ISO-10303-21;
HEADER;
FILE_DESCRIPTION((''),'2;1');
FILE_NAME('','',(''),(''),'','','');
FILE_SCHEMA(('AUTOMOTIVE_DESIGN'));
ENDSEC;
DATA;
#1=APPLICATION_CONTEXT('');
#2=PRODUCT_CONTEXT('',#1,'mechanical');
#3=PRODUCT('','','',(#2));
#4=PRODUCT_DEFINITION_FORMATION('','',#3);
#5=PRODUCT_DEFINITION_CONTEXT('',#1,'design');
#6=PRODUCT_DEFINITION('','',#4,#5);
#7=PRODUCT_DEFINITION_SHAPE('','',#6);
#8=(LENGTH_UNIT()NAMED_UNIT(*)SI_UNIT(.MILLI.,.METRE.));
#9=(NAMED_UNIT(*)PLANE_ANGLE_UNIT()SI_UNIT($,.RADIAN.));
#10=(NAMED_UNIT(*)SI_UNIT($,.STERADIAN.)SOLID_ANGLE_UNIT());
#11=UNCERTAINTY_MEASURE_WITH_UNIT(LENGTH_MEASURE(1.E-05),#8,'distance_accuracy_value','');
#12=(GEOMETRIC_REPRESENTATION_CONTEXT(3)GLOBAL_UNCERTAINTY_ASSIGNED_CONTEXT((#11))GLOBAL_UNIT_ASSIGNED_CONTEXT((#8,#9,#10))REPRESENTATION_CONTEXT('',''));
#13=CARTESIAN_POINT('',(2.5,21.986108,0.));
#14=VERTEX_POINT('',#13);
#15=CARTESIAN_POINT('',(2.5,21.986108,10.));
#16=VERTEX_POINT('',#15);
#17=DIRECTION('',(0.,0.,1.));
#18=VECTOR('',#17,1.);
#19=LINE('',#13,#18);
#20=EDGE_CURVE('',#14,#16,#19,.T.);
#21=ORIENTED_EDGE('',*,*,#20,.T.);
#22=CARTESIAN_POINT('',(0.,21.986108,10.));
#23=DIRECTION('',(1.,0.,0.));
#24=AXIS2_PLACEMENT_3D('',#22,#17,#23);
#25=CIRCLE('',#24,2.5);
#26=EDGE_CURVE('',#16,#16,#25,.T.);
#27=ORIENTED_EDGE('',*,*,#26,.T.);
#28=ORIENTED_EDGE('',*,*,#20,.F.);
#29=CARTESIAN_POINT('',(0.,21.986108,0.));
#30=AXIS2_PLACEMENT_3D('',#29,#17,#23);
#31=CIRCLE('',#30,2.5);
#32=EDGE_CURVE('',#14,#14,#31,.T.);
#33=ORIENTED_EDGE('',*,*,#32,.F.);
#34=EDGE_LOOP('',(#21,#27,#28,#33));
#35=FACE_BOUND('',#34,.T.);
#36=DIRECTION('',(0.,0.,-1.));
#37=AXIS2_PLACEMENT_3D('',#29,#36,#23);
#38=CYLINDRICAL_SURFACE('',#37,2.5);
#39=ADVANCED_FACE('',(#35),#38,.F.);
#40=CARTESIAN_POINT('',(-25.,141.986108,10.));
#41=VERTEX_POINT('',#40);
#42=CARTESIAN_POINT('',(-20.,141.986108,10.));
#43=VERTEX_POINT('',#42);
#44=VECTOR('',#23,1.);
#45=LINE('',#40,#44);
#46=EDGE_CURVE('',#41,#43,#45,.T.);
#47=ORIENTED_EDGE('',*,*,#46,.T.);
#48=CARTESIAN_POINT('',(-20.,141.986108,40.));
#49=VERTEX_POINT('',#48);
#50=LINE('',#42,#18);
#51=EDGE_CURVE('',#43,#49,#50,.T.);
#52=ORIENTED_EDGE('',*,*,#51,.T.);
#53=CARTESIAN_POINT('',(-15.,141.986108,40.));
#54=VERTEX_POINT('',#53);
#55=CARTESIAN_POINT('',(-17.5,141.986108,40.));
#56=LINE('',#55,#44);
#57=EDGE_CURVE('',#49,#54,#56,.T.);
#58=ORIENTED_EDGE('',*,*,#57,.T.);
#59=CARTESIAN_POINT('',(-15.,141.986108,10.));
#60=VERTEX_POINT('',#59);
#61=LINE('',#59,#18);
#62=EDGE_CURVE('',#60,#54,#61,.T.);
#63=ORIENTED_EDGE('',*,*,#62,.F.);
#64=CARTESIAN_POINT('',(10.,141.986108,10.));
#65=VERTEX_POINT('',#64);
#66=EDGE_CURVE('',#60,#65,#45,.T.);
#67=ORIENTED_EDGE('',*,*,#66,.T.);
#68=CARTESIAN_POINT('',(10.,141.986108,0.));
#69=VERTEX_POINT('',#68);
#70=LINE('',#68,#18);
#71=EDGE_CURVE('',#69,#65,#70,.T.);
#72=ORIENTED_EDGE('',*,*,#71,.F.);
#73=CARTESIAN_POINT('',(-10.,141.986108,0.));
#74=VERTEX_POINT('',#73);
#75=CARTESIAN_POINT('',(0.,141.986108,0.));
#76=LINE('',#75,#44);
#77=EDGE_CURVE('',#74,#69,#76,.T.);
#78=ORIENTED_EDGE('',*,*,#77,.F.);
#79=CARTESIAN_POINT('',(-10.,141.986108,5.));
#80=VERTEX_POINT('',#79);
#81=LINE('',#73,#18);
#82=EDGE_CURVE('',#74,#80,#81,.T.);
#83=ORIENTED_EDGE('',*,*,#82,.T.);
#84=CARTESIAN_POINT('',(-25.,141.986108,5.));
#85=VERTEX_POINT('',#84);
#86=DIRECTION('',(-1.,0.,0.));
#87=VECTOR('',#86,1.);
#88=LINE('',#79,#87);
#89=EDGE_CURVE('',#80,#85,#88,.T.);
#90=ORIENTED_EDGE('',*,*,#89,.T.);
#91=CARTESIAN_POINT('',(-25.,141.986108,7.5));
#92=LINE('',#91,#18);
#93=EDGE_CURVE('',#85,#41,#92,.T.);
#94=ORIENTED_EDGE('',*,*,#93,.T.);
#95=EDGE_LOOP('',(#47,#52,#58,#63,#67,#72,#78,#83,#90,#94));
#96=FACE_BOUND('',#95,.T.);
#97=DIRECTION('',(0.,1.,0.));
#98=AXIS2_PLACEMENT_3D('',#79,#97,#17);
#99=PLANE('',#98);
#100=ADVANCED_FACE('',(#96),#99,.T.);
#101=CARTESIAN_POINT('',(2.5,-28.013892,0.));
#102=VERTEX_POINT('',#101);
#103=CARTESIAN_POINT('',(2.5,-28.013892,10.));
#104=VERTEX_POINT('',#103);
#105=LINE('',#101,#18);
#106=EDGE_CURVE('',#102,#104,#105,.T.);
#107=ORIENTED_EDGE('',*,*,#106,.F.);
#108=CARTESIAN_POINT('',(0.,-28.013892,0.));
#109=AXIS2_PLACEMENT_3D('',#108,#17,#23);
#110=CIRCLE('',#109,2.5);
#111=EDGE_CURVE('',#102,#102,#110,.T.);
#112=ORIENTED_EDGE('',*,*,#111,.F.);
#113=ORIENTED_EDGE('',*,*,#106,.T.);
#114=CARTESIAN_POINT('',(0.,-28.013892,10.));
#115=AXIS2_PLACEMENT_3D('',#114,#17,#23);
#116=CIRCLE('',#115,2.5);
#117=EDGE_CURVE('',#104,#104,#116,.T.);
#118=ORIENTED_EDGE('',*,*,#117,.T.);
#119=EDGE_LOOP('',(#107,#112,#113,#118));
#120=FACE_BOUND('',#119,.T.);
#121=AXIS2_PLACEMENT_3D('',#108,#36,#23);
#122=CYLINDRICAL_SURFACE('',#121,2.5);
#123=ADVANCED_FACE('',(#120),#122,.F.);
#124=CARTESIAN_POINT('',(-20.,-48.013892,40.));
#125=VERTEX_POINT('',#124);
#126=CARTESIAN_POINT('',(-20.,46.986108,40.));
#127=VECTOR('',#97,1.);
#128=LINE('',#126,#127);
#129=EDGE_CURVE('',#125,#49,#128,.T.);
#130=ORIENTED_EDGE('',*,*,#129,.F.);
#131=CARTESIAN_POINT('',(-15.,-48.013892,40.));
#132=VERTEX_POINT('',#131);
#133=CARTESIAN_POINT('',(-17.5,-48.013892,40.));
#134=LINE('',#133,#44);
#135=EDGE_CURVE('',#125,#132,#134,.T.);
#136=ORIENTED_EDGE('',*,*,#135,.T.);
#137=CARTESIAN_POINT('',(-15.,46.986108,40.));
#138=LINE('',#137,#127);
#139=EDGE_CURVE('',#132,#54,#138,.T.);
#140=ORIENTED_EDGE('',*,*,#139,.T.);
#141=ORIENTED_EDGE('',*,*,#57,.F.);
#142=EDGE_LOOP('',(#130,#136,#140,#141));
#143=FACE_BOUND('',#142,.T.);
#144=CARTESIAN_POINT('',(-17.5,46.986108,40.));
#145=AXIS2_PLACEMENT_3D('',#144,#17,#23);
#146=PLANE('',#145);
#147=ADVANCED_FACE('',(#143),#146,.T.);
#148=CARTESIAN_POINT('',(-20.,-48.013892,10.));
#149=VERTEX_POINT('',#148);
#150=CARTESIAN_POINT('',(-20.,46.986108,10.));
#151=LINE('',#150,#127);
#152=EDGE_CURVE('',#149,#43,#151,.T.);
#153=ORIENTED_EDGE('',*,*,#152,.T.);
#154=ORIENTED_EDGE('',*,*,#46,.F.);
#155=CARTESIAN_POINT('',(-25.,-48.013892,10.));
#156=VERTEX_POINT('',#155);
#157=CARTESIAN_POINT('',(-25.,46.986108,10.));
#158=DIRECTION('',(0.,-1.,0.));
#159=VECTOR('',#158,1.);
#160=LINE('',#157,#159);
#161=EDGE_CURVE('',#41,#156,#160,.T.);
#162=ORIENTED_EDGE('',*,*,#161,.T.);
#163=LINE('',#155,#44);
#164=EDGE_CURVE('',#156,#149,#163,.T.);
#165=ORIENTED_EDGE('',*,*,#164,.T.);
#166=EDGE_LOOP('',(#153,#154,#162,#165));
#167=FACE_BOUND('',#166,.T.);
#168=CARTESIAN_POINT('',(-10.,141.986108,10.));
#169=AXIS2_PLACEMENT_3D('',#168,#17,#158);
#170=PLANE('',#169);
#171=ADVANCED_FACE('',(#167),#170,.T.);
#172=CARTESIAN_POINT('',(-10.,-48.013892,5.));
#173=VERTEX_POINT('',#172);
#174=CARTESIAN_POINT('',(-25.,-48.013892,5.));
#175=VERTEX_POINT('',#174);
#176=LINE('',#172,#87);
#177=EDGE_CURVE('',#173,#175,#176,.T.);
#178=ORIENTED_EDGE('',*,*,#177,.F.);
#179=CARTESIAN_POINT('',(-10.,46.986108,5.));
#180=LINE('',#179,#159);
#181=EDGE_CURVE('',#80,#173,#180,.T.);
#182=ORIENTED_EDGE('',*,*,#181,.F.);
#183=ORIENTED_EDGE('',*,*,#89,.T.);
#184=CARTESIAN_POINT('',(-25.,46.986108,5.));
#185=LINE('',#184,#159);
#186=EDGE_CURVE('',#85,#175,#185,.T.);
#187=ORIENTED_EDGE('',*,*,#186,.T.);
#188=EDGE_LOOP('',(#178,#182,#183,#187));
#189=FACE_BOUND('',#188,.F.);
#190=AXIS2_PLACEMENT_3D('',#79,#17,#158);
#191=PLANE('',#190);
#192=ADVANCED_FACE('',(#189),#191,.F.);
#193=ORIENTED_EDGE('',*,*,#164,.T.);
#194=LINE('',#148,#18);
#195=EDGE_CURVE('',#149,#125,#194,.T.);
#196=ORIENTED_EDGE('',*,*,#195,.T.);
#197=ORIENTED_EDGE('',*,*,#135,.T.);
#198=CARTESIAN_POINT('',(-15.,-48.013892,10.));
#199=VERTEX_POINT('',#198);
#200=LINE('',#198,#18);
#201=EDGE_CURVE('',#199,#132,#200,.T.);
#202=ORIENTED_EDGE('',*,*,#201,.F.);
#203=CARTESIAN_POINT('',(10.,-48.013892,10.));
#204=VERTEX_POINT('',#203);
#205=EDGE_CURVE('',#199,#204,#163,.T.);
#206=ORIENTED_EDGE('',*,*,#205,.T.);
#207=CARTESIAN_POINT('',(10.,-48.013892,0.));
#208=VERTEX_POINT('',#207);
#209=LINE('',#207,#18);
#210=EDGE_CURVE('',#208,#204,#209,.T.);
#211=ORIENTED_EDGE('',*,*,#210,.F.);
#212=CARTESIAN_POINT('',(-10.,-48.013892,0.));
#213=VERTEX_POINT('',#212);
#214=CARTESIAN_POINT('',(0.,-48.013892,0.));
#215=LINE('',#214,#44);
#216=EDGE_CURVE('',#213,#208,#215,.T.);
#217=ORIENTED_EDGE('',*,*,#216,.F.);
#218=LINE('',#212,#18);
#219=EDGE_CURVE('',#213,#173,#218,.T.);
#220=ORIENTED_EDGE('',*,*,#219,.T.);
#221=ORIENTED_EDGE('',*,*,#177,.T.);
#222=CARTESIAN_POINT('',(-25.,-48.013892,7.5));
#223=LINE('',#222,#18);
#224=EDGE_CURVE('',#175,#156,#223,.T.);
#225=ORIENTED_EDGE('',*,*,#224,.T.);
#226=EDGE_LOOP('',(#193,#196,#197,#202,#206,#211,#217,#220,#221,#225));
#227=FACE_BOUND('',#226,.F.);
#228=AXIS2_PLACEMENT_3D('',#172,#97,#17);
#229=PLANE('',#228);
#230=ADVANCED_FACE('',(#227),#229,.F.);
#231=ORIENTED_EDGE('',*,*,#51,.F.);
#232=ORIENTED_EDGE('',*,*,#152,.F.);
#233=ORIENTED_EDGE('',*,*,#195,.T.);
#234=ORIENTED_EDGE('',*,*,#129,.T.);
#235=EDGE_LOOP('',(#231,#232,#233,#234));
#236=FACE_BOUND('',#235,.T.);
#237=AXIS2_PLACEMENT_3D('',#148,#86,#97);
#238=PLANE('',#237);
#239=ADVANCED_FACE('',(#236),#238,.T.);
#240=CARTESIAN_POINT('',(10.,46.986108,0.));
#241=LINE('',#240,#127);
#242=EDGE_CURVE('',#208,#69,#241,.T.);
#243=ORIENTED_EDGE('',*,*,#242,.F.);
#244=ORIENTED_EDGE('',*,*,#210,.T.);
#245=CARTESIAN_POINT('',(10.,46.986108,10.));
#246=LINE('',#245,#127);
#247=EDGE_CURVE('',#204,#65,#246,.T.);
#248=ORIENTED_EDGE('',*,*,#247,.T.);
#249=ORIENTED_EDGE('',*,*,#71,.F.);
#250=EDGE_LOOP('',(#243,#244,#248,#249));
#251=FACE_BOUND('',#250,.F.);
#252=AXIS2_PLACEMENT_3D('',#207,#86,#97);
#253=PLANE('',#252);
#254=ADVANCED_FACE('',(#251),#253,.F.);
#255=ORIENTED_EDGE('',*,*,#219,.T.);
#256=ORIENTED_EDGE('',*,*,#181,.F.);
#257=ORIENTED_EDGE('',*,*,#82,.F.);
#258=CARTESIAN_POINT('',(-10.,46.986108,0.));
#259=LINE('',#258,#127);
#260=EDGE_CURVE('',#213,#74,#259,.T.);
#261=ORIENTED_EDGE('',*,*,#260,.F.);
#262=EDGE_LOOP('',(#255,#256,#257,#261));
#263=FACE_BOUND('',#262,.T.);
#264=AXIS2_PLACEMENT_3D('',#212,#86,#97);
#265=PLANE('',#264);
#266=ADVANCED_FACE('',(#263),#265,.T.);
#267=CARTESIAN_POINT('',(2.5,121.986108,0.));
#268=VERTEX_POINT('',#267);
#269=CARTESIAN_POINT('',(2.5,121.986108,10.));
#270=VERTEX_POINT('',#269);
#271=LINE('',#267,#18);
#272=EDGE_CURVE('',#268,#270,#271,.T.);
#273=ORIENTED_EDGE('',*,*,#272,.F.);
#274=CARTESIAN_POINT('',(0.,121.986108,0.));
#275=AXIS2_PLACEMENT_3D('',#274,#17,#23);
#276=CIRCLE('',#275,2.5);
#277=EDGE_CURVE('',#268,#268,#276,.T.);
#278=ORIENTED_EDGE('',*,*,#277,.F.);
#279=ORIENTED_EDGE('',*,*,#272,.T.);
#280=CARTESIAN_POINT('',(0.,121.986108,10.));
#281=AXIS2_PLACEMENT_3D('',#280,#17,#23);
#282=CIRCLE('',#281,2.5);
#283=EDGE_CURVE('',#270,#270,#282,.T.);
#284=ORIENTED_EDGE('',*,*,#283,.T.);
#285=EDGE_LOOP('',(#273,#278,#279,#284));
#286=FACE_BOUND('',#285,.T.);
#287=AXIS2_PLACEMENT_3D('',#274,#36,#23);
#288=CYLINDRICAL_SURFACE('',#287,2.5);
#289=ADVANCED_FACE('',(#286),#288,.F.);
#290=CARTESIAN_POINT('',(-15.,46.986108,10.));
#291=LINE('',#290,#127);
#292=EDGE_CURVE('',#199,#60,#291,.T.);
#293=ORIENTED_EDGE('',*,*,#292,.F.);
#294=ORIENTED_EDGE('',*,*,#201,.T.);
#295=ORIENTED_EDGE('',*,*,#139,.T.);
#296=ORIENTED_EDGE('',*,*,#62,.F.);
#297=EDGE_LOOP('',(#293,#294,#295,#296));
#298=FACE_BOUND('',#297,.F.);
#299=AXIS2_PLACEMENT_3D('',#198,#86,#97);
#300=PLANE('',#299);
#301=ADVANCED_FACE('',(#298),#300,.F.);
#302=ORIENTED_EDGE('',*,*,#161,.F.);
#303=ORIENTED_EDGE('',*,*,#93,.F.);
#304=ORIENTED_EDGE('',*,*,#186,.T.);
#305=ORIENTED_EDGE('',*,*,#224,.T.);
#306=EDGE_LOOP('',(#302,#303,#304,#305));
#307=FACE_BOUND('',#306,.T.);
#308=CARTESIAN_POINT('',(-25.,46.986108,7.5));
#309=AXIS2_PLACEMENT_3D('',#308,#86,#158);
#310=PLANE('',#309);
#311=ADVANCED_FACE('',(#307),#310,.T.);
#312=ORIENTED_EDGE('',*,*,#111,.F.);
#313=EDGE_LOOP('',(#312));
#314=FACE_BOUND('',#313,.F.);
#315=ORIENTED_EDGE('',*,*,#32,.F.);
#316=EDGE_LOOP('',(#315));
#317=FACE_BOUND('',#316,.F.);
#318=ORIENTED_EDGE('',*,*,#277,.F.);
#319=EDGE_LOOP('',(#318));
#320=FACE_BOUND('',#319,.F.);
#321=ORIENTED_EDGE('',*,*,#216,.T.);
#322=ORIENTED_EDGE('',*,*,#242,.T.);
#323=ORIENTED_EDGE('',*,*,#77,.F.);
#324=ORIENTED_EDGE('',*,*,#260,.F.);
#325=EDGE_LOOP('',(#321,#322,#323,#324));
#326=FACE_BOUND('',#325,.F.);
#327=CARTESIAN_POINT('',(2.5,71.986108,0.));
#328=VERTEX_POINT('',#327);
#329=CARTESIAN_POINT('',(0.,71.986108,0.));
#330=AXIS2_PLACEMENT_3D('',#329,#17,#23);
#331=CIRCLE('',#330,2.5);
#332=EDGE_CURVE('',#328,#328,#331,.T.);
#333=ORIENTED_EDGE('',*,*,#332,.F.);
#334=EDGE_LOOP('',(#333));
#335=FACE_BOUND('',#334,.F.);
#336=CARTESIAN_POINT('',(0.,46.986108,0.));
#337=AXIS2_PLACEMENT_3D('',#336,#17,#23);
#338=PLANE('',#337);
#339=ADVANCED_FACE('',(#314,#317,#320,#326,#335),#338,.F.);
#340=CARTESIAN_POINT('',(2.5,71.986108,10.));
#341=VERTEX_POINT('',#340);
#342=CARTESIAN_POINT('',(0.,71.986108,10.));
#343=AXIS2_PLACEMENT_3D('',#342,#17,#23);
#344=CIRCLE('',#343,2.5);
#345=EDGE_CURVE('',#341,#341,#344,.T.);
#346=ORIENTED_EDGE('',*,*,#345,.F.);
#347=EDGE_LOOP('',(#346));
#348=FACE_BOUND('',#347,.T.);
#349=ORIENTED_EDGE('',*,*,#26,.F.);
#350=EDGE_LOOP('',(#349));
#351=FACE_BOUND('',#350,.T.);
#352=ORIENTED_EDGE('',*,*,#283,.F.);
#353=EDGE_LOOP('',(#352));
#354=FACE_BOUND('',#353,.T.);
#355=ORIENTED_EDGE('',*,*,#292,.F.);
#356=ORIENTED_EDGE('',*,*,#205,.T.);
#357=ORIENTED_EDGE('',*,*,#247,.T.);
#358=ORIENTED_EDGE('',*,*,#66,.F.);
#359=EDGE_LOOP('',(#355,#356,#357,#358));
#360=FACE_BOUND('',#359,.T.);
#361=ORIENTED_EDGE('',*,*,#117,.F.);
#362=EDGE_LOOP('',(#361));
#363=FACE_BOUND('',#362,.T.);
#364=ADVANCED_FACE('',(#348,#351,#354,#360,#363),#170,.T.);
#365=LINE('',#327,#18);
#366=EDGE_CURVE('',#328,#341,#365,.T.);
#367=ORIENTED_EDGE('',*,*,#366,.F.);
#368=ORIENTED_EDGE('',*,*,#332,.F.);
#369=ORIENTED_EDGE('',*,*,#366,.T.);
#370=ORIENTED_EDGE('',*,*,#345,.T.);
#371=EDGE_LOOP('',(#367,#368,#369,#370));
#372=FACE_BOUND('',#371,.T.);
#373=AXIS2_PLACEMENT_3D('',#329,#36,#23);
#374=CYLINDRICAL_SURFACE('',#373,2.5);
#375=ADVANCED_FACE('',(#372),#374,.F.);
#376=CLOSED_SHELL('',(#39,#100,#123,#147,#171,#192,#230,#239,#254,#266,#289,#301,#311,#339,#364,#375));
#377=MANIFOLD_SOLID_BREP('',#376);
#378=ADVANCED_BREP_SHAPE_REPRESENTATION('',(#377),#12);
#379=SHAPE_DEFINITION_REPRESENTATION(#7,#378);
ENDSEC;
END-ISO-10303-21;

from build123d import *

# Parameters (mm, degrees)
F0_W     = 20
F0_H     = 190
F0_R     = 2.5
F1_DEPTH = 10
F2_W     = 190
F2_H     = 5
F3_DEPTH = 15
F4_W     = 5
F4_H     = 190
F5_DEPTH = 30


with BuildPart() as f1:
    # F0 (on Top) → F1 (new body)
    with BuildSketch(Plane.XY):
        with Locations((0, 46.986108)):
            Rectangle(F0_W, F0_H)
        with Locations((0, -28.013892)):
            Circle(F0_R, mode=Mode.SUBTRACT)
        with Locations((0, 21.986108)):
            Circle(F0_R, mode=Mode.SUBTRACT)
        with Locations((0, 71.986108)):
            Circle(F0_R, mode=Mode.SUBTRACT)
        with Locations((0, 121.986108)):
            Circle(F0_R, mode=Mode.SUBTRACT)
    extrude(amount=F1_DEPTH)

    # F2 (on face) → F3 (join)
    with BuildSketch(Plane(origin=(-10, 0, 0), x_dir=(0, -1, 0), z_dir=(-1, 0, 0))):
        with Locations((-46.986108, 7.5)):
            Rectangle(F2_W, F2_H)
    extrude(amount=F3_DEPTH)

    # F4 (on face) → F5 (join)
    with BuildSketch(Plane.XY.offset(10)):
        with Locations((-17.5, 46.986108)):
            Rectangle(F4_W, F4_H)
    extrude(amount=F5_DEPTH)


solid = f1.part
